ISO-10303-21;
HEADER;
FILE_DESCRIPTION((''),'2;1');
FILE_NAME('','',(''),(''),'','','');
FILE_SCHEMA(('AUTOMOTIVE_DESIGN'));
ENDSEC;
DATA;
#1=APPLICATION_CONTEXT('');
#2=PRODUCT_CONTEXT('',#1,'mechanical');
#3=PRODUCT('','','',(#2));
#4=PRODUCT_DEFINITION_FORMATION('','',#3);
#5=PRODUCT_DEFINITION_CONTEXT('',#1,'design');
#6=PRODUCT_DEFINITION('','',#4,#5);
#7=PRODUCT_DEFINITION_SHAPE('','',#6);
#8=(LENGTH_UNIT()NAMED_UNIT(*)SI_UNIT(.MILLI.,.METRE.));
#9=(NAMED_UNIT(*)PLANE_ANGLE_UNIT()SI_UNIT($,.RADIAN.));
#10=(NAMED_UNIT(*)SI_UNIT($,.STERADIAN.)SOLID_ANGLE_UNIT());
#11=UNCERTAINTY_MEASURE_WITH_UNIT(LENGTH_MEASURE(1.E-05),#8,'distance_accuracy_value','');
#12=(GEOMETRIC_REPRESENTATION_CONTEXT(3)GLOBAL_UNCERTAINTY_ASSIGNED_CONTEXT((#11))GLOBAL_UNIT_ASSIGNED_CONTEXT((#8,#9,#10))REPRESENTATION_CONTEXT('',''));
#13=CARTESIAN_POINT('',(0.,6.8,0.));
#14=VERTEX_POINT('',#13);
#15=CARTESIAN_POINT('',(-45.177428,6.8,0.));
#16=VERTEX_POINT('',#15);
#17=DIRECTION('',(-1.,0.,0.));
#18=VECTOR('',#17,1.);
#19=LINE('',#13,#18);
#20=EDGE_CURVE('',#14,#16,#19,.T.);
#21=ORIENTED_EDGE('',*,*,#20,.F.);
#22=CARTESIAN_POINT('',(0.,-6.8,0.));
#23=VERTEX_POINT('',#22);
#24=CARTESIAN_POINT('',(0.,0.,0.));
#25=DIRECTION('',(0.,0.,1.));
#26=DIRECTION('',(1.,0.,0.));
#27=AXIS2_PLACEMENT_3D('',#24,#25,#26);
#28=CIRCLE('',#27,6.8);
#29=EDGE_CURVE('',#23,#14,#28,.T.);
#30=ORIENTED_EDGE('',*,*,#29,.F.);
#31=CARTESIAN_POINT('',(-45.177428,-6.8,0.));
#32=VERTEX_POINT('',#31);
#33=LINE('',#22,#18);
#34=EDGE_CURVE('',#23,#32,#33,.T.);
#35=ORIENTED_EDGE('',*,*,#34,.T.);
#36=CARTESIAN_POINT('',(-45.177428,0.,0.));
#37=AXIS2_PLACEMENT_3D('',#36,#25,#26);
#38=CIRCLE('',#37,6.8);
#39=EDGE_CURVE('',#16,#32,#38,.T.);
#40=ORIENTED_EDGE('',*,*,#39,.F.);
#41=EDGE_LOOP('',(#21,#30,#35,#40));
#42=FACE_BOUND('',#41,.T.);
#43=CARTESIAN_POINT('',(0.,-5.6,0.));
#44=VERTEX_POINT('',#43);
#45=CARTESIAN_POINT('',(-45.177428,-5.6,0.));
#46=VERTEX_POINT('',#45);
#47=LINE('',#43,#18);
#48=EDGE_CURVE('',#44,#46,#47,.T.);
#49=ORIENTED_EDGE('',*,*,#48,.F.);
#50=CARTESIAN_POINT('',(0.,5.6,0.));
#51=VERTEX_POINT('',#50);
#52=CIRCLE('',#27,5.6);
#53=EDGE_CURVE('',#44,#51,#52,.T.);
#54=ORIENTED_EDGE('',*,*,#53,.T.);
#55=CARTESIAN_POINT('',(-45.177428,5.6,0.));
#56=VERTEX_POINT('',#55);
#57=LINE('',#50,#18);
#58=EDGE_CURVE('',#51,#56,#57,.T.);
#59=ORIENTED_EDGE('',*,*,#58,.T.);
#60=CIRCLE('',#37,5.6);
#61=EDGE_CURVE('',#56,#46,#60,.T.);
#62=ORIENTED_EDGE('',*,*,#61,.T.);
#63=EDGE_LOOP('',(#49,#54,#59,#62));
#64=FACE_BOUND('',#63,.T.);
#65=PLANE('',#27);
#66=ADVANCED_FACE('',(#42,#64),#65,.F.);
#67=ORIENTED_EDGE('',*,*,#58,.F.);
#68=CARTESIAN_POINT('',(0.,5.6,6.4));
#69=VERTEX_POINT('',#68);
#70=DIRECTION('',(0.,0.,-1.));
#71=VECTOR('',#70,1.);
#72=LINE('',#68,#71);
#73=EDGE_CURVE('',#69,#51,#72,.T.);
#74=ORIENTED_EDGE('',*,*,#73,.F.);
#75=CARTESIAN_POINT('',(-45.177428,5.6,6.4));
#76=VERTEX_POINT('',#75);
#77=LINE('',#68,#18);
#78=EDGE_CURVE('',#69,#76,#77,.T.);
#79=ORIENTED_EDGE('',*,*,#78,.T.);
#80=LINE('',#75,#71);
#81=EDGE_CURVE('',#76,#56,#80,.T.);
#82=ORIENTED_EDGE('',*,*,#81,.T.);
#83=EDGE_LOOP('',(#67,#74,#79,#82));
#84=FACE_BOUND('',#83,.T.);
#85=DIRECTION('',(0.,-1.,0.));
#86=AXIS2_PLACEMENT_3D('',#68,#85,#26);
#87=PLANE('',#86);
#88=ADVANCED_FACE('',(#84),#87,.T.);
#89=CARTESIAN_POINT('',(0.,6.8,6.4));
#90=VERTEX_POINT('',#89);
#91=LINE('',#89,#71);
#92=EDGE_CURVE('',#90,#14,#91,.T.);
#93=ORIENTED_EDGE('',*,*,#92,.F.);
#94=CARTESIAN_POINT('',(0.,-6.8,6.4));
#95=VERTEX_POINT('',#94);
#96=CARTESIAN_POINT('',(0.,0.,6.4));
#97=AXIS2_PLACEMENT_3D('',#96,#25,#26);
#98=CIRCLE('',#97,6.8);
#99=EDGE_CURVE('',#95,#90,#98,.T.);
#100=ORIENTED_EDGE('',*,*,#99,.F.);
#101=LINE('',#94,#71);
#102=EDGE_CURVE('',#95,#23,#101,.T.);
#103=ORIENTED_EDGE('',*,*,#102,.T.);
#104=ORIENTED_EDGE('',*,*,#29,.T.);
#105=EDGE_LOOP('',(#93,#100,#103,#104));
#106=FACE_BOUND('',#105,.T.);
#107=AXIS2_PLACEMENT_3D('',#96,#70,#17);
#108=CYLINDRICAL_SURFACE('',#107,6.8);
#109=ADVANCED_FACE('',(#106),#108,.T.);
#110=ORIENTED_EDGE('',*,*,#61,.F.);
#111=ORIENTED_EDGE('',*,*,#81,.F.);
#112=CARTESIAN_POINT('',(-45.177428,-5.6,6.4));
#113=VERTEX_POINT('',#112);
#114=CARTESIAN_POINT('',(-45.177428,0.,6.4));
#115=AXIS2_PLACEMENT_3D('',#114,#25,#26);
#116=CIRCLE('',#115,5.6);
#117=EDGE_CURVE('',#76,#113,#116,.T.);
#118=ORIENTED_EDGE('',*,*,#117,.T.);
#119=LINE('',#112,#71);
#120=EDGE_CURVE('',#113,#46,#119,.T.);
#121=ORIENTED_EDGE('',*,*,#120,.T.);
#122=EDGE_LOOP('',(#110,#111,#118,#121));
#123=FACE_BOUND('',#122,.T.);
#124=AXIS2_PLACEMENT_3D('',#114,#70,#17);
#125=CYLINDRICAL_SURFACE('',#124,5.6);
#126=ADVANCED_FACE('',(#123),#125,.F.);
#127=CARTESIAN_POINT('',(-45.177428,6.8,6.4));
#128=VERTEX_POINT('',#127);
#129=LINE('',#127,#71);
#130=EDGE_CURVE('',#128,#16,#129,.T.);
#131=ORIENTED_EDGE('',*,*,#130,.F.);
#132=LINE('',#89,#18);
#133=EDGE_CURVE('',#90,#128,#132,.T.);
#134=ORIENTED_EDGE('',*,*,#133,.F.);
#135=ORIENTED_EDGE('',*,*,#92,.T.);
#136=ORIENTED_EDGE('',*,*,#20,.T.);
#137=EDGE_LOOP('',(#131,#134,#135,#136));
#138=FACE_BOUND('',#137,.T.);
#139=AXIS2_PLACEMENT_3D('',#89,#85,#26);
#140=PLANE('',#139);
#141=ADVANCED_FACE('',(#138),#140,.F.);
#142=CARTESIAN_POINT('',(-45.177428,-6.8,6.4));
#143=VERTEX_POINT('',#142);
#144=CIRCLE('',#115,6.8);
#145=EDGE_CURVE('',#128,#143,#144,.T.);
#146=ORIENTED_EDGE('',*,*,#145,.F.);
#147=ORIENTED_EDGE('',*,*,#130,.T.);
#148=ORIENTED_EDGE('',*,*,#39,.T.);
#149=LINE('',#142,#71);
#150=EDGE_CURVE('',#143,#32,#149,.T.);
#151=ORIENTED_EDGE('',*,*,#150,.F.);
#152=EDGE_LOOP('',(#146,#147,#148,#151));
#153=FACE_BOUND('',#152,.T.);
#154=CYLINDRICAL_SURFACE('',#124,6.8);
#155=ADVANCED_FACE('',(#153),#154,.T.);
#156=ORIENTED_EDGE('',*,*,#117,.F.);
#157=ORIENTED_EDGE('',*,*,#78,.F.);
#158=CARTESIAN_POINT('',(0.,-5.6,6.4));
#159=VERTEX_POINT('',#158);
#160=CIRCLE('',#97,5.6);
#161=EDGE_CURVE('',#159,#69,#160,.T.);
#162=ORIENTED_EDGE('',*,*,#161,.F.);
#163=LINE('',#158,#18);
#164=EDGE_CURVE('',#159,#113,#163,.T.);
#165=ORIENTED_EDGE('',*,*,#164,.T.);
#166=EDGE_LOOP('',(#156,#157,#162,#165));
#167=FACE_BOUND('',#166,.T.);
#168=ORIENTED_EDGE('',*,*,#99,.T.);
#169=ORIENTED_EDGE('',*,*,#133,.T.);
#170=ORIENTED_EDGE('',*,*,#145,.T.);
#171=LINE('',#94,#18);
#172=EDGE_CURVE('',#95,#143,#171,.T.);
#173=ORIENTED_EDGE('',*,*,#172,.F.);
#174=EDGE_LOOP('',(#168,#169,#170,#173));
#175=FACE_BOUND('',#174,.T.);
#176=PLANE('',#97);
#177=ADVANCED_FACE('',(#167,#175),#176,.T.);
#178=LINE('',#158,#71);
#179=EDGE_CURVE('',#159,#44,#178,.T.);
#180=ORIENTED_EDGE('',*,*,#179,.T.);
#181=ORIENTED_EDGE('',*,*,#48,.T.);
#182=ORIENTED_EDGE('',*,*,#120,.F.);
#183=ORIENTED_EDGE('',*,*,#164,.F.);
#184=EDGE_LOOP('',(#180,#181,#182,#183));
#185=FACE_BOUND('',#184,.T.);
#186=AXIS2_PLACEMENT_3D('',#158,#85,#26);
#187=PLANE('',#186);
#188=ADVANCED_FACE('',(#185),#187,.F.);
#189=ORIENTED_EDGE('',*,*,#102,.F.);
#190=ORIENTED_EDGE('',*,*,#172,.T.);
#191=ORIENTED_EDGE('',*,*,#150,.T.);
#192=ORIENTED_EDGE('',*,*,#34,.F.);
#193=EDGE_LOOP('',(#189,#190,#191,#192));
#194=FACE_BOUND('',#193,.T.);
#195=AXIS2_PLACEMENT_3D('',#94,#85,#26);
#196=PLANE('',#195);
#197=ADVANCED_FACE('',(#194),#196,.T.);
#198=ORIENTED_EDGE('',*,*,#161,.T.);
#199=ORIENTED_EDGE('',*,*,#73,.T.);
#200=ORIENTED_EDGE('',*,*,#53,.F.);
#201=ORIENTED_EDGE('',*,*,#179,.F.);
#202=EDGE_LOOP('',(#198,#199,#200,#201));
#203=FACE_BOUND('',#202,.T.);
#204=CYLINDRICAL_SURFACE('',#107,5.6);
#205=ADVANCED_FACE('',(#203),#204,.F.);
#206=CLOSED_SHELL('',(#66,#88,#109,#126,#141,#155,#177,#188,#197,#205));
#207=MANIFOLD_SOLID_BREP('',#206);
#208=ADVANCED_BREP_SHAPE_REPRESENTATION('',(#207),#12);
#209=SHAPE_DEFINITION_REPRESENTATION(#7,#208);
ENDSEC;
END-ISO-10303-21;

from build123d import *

# Parameters (mm, degrees)
ESTRUSIONE_ESTRUSIONE2_DEPTH = 6.4


with BuildPart() as part:
    # Schizzo1 → Estrusione-Estrusione2 (new body)
    with BuildSketch(Plane.XY):
        with BuildLine():
            Line((0, 6.8), (-45.177427992, 6.8))
            ThreePointArc((-45.177427992, 6.8), (-51.977427992, 0), (-45.177427992, -6.8))
            Line((-45.177427992, -6.8), (0, -6.8))
            ThreePointArc((0, -6.8), (6.8, 0), (0, 6.8))
        make_face()
        with BuildLine():
            ThreePointArc((-45.177427992, 5.6), (-50.777427992, 0), (-45.177427992, -5.6))
            Line((-45.177427992, -5.6), (0, -5.6))
            ThreePointArc((0, -5.6), (5.6, 0), (0, 5.6))
            Line((0, 5.6), (-45.177427992, 5.6))
        make_face(mode=Mode.SUBTRACT)
    extrude(amount=ESTRUSIONE_ESTRUSIONE2_DEPTH)


solid = part.part
